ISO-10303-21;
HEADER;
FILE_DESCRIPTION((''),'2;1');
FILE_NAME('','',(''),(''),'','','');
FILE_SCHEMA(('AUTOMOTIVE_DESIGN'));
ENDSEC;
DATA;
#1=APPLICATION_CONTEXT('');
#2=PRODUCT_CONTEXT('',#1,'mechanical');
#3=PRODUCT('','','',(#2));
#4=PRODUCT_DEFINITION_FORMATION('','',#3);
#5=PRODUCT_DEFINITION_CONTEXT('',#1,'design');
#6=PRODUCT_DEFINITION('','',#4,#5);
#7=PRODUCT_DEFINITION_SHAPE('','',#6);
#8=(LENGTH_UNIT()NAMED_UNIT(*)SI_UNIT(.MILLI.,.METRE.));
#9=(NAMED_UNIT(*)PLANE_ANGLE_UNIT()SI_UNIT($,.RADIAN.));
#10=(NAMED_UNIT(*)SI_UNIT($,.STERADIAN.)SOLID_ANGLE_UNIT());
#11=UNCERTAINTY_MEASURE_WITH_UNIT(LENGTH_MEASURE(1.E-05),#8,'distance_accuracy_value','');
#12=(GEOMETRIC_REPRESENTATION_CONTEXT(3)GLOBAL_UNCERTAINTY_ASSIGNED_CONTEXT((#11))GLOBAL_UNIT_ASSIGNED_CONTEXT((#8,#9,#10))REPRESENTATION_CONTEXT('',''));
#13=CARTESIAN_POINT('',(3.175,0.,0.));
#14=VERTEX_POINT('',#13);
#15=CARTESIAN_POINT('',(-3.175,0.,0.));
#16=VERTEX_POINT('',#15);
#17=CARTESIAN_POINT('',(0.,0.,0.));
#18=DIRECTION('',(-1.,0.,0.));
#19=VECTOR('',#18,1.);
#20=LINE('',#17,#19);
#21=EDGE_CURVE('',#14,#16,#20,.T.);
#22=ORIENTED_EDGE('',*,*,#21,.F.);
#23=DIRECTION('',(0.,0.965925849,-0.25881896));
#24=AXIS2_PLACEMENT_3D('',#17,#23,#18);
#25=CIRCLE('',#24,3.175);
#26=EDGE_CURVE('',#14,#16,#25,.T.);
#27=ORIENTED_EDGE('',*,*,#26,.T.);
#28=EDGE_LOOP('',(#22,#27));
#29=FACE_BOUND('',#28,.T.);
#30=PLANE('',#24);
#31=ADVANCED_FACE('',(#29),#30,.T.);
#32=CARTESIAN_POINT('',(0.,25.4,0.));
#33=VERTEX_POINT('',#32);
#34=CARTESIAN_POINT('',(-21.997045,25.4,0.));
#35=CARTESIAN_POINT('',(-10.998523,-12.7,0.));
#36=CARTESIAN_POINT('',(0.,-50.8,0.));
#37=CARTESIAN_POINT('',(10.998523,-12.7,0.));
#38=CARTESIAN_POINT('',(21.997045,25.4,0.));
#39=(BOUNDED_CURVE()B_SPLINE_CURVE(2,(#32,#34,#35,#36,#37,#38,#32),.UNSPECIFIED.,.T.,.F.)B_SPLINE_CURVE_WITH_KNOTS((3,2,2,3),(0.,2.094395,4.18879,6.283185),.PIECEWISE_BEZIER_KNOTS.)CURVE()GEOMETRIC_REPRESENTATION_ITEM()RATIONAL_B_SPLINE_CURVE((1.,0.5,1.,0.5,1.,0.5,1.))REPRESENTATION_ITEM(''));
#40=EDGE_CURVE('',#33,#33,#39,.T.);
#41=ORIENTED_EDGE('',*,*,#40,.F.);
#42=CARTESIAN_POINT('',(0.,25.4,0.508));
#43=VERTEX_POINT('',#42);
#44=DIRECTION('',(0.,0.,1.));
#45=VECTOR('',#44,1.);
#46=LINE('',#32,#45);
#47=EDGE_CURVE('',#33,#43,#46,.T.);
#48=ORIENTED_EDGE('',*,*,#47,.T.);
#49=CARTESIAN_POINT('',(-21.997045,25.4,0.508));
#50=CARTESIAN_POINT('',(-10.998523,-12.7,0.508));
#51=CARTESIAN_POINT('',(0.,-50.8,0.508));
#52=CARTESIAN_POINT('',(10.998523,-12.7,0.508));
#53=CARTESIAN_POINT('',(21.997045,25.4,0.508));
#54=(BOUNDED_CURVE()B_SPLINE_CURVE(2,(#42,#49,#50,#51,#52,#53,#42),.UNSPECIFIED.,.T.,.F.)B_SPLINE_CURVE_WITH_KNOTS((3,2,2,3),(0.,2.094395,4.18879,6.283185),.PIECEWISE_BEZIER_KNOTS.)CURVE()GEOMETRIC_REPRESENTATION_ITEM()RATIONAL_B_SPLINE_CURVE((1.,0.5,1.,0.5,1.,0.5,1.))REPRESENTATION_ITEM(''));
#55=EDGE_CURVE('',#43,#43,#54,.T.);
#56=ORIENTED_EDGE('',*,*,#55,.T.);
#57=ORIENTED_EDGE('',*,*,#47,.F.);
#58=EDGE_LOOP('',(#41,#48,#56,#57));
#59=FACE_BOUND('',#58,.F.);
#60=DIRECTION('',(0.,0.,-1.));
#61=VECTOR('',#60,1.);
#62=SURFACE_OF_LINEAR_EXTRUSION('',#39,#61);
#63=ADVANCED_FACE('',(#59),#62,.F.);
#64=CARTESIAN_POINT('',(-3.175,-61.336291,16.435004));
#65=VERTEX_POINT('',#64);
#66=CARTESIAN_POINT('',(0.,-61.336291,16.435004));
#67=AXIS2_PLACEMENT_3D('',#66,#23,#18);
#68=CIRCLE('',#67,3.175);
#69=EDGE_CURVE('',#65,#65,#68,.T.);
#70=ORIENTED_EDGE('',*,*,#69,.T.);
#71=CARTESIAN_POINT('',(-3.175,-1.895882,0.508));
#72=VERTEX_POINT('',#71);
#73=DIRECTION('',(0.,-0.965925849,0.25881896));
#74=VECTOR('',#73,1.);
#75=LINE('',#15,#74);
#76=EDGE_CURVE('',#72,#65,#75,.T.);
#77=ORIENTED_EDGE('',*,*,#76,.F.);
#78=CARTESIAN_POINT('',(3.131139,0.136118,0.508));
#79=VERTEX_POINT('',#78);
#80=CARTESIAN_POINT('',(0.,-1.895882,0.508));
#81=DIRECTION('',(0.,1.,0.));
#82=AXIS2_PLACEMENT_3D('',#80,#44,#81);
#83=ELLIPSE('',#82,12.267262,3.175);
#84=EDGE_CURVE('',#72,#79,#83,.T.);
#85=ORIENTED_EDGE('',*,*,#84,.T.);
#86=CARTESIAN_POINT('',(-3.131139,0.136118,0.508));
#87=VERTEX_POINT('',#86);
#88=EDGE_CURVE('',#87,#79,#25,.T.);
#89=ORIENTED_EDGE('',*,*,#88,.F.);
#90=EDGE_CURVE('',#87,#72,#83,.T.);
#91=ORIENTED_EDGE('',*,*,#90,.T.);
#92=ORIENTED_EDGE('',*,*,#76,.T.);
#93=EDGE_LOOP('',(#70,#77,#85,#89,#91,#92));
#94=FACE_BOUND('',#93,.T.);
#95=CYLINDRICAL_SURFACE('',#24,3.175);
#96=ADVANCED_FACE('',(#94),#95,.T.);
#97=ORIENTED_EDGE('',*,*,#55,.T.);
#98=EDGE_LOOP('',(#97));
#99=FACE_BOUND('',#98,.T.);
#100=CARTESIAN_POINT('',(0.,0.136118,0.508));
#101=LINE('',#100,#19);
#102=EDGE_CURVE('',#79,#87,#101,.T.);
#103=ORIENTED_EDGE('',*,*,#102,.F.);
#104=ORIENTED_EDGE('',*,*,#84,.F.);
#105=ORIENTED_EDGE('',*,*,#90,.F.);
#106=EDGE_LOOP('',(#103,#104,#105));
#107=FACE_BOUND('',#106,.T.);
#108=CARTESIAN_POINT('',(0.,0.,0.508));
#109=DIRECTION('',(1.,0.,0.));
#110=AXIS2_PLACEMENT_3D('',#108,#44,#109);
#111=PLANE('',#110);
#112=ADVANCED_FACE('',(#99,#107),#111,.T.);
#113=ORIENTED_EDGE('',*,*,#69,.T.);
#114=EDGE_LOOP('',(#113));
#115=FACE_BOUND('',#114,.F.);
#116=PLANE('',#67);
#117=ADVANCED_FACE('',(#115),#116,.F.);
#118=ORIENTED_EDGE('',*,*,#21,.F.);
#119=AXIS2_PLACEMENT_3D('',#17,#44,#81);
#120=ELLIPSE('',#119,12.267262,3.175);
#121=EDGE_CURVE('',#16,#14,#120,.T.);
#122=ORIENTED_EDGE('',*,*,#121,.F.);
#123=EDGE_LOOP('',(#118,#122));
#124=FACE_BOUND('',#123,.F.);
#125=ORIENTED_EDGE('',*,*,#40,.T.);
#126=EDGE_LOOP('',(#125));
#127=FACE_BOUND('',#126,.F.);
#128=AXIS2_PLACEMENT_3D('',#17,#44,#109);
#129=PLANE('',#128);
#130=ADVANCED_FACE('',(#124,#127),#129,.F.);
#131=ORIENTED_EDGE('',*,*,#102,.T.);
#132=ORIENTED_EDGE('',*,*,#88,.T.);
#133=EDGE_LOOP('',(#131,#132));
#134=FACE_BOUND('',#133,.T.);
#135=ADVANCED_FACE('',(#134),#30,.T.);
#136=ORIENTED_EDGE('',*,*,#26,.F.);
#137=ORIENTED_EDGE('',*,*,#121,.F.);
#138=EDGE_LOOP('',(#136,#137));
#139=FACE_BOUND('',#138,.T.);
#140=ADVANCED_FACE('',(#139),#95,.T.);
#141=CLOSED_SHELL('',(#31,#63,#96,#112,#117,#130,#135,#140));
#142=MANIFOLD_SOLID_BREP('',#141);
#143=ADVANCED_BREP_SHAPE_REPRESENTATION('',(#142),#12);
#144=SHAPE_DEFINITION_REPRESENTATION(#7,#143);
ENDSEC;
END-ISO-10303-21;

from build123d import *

# Parameters (mm, degrees)
F1_DEPTH = 0.508
F3_R     = 3.175
F4_DEPTH = 63.5


with BuildPart() as f1:
    # F0 (on Top) → F1 (new body)
    with BuildSketch(Plane.XY):
        with BuildLine():
            add(Edge.make_bspline(
                [(0, 25.4), (-21.997045, 25.4), (-10.998523, -12.7), (0, -50.8), (10.998523, -12.7), (21.997045, 25.4), (0, 25.4)],
                knots=[0, 0, 0, 2.094395, 2.094395, 4.18879, 4.18879, 6.283185, 6.283185, 6.283185], degree=2, weights=[1, 0.5, 1, 0.5, 1, 0.5, 1]))
        make_face()
    extrude(amount=F1_DEPTH)

    # F3 (on face) → F4 (join)
    with BuildSketch(Plane(origin=(0, 0, 0), x_dir=(-1, 0, 0), z_dir=(0, 0.965926, -0.258819))):
        Circle(F3_R)
    extrude(amount=-F4_DEPTH)


solid = f1.part
